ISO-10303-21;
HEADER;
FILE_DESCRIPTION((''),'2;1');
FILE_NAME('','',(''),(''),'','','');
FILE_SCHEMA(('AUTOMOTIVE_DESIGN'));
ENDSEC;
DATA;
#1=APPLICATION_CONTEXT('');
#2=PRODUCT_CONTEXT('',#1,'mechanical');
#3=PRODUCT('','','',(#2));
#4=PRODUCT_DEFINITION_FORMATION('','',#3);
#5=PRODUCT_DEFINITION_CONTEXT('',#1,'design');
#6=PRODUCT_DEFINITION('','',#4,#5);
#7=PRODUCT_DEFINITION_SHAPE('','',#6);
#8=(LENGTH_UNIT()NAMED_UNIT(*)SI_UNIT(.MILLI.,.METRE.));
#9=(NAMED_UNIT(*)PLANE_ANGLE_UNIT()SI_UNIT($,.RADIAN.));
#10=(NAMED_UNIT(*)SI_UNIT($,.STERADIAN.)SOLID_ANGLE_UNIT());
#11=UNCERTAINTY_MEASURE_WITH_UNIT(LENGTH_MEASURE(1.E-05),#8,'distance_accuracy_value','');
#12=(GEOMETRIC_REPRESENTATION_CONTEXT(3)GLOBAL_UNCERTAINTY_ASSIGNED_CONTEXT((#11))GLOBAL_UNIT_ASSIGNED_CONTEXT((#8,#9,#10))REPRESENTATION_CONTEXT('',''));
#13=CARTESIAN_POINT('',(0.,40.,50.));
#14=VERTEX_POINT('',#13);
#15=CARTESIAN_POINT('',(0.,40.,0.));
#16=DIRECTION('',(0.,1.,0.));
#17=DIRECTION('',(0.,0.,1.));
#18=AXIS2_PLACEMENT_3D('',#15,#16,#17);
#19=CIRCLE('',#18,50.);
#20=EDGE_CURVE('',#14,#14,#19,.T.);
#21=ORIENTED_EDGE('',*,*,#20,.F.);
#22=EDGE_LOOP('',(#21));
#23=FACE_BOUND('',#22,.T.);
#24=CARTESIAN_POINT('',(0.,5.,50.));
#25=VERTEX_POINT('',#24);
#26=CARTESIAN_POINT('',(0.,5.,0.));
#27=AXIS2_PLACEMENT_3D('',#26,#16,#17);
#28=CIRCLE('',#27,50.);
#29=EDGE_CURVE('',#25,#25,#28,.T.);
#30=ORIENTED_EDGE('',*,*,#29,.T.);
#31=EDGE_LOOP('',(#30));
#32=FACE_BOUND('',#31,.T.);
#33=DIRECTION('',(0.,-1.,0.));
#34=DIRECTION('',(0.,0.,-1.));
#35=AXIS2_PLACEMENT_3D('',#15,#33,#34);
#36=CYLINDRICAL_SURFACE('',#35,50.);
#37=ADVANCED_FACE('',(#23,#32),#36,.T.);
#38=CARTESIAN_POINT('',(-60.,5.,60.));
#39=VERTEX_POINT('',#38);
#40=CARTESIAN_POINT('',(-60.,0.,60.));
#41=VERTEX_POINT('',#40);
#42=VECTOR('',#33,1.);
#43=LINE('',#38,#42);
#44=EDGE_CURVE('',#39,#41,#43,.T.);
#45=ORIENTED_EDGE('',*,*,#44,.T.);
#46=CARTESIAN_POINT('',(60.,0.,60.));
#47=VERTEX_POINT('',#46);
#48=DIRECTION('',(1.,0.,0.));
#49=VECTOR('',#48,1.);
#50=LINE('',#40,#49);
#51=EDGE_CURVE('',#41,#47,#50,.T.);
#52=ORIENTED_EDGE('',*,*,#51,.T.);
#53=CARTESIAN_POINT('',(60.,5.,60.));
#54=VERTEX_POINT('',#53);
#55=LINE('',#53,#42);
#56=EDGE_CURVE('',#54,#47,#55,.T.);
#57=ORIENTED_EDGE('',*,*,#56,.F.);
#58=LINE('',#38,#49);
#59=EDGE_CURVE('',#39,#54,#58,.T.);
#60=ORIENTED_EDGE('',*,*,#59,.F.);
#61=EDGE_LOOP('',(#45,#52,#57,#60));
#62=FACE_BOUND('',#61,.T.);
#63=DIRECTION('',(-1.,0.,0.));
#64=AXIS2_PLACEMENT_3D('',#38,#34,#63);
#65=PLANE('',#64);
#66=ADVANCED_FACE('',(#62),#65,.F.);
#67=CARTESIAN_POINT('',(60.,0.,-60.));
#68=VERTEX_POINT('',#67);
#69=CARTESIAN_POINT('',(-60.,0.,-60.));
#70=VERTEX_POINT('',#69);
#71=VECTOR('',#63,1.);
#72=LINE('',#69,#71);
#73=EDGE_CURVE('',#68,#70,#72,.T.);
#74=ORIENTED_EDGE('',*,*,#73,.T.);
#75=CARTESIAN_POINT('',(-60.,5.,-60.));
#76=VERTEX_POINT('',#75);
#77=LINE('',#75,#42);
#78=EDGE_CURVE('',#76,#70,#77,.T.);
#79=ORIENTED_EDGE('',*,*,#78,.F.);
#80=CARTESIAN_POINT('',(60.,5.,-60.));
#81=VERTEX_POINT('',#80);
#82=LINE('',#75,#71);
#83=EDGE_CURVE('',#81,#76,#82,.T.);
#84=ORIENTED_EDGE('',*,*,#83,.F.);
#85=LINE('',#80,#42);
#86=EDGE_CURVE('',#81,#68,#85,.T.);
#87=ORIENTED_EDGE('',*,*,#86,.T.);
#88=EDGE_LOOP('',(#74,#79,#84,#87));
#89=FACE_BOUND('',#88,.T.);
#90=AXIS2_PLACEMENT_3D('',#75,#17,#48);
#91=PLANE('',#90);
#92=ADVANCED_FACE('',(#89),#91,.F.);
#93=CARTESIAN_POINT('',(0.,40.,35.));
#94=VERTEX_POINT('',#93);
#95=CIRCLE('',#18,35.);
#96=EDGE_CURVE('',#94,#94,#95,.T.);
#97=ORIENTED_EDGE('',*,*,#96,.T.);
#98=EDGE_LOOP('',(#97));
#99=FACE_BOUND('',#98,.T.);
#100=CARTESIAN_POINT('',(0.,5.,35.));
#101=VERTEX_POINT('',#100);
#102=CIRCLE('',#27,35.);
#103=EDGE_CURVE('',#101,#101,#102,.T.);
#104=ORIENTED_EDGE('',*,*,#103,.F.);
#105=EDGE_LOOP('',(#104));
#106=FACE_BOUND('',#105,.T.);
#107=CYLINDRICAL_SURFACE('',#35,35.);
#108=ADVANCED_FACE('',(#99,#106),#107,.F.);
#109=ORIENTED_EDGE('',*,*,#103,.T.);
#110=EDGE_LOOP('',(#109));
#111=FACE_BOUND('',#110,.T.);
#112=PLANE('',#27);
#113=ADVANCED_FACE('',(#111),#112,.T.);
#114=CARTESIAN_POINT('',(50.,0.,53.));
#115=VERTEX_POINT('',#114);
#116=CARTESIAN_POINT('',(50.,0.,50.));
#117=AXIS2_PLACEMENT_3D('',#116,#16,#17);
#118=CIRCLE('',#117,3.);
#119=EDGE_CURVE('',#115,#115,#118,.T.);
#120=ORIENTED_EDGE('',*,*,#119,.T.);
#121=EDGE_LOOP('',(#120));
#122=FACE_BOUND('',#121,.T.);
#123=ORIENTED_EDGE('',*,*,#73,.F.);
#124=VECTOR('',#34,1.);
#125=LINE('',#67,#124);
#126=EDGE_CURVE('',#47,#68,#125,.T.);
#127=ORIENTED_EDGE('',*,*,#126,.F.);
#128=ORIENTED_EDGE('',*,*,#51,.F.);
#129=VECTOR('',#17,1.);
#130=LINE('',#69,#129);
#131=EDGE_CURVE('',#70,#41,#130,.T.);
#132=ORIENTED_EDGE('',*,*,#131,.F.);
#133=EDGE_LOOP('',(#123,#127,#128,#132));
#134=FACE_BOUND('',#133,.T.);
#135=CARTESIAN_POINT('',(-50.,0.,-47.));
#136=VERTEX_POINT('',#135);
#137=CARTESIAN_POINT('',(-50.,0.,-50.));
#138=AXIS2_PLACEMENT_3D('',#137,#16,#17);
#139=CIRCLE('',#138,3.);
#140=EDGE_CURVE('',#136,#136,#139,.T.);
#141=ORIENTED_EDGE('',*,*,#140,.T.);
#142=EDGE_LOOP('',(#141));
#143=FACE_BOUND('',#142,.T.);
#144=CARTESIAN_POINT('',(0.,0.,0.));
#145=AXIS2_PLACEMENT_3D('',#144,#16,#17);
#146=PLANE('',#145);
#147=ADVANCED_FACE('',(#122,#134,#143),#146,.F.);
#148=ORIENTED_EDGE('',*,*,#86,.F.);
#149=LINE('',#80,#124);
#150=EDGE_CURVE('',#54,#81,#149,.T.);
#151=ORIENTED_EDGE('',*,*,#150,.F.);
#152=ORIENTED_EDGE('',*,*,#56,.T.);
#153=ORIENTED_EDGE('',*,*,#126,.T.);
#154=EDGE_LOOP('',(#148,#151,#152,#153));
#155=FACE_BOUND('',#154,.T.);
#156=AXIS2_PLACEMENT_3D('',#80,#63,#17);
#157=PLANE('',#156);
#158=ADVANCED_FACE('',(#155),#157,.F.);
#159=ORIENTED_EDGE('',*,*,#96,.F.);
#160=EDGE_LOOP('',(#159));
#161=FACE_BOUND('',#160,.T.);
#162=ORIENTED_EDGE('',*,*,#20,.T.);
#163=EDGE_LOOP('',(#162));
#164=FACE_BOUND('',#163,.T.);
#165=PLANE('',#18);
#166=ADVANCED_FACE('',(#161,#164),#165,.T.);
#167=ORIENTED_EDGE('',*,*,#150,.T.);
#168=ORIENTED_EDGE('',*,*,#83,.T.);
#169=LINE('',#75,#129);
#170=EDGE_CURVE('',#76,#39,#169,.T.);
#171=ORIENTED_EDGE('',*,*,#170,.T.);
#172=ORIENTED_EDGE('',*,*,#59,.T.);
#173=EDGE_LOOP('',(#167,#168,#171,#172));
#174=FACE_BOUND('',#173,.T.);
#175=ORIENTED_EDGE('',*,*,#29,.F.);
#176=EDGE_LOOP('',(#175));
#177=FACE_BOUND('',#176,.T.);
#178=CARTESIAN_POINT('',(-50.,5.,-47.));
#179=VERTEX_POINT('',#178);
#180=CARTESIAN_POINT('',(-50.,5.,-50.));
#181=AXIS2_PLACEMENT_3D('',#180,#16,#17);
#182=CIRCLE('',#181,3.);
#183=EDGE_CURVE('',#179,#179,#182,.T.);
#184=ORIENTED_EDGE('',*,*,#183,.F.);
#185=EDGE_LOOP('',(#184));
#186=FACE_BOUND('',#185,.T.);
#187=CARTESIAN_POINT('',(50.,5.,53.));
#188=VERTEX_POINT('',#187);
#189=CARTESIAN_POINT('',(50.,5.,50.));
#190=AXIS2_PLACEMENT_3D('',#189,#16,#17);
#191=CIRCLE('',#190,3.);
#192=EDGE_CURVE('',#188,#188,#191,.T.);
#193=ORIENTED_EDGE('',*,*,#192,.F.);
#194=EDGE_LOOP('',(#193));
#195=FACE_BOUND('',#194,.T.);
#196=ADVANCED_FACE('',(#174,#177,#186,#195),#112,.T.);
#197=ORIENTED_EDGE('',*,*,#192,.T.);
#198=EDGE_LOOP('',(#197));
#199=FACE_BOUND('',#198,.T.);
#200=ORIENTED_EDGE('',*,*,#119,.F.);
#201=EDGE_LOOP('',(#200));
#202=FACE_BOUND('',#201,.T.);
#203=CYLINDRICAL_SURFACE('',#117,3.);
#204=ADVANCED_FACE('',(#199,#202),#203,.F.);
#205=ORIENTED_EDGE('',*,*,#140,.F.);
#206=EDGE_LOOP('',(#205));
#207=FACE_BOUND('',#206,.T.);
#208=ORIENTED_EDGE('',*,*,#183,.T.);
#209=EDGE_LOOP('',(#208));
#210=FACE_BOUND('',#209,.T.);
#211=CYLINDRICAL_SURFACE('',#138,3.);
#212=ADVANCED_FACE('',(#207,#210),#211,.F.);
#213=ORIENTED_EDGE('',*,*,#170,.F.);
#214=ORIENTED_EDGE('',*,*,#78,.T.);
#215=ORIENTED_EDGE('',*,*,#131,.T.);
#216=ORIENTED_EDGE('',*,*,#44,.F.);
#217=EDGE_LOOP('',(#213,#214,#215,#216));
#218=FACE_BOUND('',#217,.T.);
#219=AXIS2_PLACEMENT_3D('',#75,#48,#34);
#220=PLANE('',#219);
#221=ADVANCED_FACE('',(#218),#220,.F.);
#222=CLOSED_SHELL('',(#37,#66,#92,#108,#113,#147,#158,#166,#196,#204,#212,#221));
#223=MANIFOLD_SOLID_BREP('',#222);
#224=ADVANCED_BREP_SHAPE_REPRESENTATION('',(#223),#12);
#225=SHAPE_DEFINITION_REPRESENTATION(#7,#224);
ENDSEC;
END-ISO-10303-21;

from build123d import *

# Parameters (mm, degrees)
SKETCH1_R           = 50
SKETCH1_R_2         = 35
BOSS_EXTRUDE1_DEPTH = 40
SKETCH2_W           = 120
SKETCH2_H           = 120
BOSS_EXTRUDE2_DEPTH = 5
SKETCH3_R           = 3
CUT_EXTRUDE1_DEPTH  = 5


with BuildPart() as part:
    # Sketch1 → Boss-Extrude1 (new body)
    with BuildSketch(Plane(origin=(0, 0, 0), x_dir=(1, 0, 0), z_dir=(0, 1, 0))):
        with Locations(Location((0, 0, 0), (0, 0, 270))):
            Circle(SKETCH1_R)
        with Locations(Location((0, 0, 0), (0, 0, 270))):
            Circle(SKETCH1_R_2, mode=Mode.SUBTRACT)
    extrude(amount=BOSS_EXTRUDE1_DEPTH)

    # Sketch2 → Boss-Extrude2 (add)
    with BuildSketch(Plane(origin=(0, 0, 0), x_dir=(1, 0, 0), z_dir=(0, 1, 0))):
        Rectangle(SKETCH2_W, SKETCH2_H)
    extrude(amount=BOSS_EXTRUDE2_DEPTH)

    # Sketch3 → Cut-Extrude1 (cut)
    with BuildSketch(Plane(origin=(0, 5, 0), x_dir=(1, 0, 0), z_dir=(0, 1, 0))):
        with Locations(Location((-50, 50, 0), (0, 0, 270))):
            Circle(SKETCH3_R)
        with Locations(Location((50, -50, 0), (0, 0, 270))):
            Circle(SKETCH3_R)
    extrude(amount=-CUT_EXTRUDE1_DEPTH, mode=Mode.SUBTRACT)


solid = part.part
